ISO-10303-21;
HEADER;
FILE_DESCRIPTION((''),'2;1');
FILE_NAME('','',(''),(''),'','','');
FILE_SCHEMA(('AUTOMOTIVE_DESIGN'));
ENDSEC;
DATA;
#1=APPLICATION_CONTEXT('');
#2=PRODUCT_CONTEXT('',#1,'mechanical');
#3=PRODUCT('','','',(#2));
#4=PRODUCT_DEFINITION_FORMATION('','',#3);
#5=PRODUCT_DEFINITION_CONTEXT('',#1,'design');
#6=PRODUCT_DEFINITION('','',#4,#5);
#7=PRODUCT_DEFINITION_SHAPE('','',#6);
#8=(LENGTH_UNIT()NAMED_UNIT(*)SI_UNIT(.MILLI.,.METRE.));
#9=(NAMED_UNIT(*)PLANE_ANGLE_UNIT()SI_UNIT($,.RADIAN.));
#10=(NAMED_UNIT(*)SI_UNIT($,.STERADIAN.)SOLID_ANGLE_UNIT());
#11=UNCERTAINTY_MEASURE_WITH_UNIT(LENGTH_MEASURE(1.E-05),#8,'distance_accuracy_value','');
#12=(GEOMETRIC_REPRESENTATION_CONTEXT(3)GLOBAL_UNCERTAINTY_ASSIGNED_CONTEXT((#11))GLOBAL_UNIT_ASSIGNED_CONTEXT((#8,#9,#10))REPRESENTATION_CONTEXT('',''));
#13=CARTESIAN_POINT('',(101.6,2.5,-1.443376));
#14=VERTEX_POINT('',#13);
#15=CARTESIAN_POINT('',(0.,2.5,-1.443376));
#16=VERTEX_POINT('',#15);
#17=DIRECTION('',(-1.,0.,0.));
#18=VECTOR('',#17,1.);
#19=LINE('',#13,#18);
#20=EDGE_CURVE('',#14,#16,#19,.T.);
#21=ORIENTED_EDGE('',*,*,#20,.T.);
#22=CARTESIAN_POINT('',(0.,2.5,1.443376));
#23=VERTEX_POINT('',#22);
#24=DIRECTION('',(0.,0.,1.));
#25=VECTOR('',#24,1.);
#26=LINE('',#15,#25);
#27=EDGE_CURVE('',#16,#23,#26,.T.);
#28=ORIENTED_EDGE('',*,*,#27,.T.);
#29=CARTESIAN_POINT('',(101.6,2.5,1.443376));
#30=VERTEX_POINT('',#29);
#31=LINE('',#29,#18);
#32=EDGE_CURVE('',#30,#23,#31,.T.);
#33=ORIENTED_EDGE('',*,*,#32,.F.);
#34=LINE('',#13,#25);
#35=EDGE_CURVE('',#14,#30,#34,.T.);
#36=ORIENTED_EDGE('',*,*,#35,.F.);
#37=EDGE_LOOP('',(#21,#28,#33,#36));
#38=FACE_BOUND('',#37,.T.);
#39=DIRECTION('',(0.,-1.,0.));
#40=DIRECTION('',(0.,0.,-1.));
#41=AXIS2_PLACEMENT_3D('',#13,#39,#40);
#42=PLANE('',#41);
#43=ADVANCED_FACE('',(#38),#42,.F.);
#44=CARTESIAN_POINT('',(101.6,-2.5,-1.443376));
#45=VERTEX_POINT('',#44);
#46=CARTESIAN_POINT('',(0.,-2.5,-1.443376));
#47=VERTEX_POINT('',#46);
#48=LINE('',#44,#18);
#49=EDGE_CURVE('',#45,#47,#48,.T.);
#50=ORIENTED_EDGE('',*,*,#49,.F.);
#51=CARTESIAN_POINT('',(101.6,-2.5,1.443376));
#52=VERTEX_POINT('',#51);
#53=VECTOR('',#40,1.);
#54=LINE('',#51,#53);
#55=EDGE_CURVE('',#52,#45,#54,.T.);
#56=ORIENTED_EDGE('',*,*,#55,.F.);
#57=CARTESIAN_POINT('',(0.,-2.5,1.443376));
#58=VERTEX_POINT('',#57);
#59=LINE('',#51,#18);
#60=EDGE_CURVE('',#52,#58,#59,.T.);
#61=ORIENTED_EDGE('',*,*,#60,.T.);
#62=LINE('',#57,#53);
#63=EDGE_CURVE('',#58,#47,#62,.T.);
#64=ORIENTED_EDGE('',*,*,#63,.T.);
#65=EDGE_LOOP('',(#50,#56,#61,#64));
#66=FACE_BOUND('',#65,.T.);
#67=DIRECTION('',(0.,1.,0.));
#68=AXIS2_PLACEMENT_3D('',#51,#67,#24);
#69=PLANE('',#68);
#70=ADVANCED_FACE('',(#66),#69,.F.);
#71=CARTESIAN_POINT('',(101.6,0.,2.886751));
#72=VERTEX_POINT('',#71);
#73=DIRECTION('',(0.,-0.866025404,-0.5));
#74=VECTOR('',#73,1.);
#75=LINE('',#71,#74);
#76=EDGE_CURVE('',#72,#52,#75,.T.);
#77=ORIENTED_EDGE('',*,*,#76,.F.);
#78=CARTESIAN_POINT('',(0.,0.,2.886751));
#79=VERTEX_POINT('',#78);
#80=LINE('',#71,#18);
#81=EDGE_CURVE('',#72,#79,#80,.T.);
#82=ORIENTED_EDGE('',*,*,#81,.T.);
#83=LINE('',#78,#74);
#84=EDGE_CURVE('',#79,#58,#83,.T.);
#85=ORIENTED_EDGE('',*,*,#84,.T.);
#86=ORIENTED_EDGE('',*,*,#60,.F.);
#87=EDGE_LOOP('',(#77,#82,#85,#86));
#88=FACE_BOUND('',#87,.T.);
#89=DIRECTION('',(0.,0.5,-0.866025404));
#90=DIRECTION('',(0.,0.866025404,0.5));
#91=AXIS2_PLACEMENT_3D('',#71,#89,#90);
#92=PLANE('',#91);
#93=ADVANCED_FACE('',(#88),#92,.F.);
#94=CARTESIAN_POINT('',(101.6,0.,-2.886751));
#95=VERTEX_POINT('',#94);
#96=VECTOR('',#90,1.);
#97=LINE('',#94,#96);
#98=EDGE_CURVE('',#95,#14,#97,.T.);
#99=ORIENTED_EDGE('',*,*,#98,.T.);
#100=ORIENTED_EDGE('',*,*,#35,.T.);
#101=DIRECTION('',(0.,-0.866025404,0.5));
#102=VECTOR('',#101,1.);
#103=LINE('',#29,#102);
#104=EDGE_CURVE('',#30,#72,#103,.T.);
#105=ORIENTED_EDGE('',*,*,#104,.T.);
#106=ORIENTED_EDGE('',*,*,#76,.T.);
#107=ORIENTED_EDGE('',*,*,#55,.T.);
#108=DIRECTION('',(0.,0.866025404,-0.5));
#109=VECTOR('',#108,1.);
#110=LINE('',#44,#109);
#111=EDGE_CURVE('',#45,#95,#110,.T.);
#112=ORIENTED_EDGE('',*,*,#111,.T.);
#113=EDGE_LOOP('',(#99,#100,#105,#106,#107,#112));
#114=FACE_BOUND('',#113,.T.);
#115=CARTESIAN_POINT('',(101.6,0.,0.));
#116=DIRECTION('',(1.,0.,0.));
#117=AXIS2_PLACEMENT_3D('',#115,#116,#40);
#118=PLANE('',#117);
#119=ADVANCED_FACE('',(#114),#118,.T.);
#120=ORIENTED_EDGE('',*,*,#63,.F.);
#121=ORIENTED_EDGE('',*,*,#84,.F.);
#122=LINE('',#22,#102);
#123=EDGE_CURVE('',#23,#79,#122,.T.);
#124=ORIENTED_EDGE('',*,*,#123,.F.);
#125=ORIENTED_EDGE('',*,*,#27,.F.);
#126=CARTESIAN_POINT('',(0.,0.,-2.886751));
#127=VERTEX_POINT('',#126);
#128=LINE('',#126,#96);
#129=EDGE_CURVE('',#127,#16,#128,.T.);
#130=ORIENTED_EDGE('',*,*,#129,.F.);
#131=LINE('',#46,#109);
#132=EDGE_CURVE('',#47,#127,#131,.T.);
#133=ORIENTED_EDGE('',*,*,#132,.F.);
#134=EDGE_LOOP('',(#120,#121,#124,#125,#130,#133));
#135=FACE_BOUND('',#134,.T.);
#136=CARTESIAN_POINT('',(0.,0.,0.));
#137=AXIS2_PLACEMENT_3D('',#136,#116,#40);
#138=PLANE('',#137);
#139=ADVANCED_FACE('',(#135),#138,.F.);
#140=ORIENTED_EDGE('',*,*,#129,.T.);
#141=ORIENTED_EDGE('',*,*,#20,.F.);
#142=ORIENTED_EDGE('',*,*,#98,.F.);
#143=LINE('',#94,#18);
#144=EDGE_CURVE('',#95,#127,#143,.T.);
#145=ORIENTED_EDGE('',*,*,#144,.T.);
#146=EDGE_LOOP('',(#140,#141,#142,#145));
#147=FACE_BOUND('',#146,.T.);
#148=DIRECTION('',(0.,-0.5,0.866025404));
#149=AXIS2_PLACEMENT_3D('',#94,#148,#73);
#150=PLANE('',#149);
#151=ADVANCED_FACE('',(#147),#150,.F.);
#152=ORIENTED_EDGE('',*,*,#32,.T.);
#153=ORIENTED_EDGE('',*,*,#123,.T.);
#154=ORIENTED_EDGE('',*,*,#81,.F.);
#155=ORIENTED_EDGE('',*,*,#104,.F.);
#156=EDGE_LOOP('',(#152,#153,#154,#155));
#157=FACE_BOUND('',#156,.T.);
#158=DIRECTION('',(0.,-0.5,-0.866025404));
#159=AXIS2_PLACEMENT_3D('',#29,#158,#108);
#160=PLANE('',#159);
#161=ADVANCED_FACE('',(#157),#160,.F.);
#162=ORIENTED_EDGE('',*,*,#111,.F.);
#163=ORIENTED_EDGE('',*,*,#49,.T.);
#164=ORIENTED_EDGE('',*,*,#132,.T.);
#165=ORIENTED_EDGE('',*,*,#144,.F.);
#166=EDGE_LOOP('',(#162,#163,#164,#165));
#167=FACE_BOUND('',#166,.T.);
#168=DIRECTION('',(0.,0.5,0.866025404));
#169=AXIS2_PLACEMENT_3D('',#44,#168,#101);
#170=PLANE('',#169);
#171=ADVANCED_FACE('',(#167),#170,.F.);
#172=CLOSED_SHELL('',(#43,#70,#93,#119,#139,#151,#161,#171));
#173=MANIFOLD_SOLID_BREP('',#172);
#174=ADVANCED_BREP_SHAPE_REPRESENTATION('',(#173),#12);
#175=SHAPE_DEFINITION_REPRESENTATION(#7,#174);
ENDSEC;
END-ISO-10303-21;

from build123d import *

# Parameters (mm, degrees)
BOSS_EXTRUDE1_DEPTH = 101.6


with BuildPart() as part:
    # Sketch1 → Boss-Extrude1 (new body)
    with BuildSketch(Plane(origin=(0, 0, 0), x_dir=(0, 0, -1), z_dir=(1, 0, 0))):
        Polygon((1.443375673, 2.5), (-1.443375673, 2.5), (-2.886751346, 0), (-1.443375673, -2.5), (1.443375673, -2.5), (2.886751346, 0), align=None)
    extrude(amount=BOSS_EXTRUDE1_DEPTH)


solid = part.part
